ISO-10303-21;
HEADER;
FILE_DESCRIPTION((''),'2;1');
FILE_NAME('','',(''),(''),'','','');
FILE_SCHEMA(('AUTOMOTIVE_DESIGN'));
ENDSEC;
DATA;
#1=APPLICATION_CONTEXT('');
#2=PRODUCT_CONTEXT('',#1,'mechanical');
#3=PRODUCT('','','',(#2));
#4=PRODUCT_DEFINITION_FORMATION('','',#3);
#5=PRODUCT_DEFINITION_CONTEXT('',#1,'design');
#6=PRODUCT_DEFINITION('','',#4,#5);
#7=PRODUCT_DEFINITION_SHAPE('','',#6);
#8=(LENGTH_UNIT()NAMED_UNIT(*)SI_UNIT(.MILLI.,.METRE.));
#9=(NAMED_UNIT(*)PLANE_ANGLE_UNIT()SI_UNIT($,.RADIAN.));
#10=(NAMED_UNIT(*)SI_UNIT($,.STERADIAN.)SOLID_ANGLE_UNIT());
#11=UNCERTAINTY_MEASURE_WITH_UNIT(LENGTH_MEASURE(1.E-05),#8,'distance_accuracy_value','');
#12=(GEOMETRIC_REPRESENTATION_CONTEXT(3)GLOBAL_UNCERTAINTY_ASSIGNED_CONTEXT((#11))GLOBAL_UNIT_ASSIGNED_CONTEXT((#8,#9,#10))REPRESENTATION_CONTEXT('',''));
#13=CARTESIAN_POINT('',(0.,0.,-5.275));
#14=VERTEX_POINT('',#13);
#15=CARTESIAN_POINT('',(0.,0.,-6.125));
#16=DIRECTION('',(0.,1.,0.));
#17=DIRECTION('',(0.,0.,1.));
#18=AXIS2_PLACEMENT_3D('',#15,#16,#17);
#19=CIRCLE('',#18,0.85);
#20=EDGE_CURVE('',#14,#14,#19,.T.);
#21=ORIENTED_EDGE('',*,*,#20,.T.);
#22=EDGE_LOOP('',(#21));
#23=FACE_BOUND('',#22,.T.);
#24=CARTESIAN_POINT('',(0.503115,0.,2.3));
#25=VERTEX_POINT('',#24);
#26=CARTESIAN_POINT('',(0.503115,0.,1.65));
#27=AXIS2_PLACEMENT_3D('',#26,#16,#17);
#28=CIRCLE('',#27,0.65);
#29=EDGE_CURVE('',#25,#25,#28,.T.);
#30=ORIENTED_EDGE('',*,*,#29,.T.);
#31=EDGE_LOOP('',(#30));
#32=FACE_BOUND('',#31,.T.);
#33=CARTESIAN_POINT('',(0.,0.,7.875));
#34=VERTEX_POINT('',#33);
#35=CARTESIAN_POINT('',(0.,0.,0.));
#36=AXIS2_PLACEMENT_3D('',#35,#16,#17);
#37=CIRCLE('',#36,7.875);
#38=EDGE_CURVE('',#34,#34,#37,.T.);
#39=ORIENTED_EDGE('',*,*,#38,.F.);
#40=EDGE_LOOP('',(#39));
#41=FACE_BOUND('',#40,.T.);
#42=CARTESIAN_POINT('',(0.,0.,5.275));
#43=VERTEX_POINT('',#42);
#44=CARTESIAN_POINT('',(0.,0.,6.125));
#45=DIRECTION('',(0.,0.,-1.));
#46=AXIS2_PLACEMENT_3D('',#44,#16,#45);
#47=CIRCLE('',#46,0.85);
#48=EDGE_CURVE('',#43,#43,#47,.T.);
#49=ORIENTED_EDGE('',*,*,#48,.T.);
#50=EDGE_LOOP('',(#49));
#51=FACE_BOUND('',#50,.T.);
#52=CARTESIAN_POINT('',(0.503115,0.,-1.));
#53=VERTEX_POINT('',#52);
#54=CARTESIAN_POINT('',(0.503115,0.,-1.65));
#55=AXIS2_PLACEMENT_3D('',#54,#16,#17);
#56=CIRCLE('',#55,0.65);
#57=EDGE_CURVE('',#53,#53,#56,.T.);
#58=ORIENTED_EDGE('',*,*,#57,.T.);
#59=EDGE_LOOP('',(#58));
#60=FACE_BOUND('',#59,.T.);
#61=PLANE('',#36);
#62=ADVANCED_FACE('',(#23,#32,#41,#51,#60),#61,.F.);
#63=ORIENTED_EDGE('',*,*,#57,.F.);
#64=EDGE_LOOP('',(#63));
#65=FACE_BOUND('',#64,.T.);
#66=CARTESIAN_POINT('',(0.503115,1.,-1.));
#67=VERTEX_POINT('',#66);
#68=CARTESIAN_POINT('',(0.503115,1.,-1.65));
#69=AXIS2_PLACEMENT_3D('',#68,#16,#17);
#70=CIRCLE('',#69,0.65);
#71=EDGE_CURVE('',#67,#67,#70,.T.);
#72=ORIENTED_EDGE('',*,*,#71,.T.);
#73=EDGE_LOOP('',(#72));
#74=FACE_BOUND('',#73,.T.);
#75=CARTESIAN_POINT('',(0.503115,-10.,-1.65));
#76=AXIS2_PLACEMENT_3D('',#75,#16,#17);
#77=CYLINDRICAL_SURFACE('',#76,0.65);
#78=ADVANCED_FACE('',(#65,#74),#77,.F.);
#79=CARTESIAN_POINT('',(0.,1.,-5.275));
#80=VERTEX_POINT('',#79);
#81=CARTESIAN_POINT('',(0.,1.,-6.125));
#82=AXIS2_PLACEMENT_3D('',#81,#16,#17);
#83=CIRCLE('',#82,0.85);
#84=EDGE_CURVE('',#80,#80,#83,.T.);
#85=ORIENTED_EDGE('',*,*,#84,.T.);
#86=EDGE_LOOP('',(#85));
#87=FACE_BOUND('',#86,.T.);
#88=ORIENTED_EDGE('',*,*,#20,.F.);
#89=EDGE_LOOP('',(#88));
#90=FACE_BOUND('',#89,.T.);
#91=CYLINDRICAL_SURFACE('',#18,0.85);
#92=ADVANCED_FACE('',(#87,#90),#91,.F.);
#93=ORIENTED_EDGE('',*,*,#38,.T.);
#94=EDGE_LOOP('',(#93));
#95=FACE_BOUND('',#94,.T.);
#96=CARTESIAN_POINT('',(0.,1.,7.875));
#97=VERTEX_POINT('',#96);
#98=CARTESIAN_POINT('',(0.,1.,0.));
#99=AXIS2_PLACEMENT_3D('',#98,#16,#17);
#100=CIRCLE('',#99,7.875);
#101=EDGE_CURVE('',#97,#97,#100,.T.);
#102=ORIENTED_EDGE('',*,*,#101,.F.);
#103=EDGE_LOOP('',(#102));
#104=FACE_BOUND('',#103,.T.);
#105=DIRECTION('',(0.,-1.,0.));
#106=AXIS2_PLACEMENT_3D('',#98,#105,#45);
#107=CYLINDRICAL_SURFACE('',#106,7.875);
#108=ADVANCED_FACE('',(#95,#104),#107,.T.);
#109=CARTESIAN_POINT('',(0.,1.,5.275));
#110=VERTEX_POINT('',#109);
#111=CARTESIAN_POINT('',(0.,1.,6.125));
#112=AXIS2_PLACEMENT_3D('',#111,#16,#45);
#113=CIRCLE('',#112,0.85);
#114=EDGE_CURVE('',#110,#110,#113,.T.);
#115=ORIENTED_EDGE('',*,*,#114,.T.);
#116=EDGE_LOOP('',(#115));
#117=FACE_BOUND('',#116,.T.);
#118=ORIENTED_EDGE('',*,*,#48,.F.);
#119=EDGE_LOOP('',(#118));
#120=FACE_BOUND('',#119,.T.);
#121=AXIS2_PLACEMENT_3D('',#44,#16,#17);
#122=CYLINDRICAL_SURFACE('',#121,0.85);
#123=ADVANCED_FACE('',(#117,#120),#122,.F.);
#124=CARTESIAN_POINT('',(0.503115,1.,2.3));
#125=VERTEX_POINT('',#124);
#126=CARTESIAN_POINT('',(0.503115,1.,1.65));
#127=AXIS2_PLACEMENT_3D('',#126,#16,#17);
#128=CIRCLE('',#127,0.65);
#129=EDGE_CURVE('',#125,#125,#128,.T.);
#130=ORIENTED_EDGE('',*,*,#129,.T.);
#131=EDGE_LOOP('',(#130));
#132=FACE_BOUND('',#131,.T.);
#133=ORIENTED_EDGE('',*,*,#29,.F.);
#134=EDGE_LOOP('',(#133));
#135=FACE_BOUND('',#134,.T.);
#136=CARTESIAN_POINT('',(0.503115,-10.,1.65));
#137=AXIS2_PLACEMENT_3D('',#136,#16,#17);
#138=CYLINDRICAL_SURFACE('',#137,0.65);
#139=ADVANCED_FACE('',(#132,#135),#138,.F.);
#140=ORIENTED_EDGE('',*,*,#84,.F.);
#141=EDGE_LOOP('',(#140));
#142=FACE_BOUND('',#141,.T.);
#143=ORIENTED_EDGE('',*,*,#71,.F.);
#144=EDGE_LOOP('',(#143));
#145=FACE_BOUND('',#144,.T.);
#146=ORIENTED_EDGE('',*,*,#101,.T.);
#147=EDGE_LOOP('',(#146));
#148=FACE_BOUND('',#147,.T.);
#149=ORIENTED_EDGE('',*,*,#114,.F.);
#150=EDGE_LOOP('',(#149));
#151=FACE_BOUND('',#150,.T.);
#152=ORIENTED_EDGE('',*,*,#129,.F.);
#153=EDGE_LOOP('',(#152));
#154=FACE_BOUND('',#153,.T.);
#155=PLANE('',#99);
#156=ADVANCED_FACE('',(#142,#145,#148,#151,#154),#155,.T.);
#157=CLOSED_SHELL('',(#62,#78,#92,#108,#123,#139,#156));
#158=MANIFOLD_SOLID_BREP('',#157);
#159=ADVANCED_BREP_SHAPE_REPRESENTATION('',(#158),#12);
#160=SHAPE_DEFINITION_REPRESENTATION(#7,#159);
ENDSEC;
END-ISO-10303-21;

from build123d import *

# Parameters (mm, degrees)
SKETCH1_R           = 7.875
BOSS_EXTRUDE1_DEPTH = 1
SKETCH2_R           = 0.85
CUT_EXTRUDE1_DEPTH  = 12.181737343
SKETCH3_R           = 0.65
CUT_EXTRUDE2_DEPTH  = 11


with BuildPart() as part:
    # Sketch1 → Boss-Extrude1 (new body)
    with BuildSketch(Plane(origin=(0, 0, 0), x_dir=(1, 0, 0), z_dir=(0, 1, 0))):
        with Locations(Location((0, 0, 0), (0, 0, 270))):
            Circle(SKETCH1_R)
    extrude(amount=BOSS_EXTRUDE1_DEPTH)

    # Sketch2 → Cut-Extrude1 (cut, through all)
    with BuildSketch(Plane(origin=(0, 1, 0), x_dir=(1, 0, 0), z_dir=(0, 1, 0))):
        with Locations(Location((0, 6.125, 0), (0, 0, 270))):
            Circle(SKETCH2_R)
        with Locations(Location((0, -6.125, 0), (0, 0, 90))):
            Circle(SKETCH2_R)
    extrude(amount=-CUT_EXTRUDE1_DEPTH, mode=Mode.SUBTRACT)

    # Sketch3 → Cut-Extrude2 (cut)
    with BuildSketch(Plane(origin=(0, 1, 0), x_dir=(1, 0, 0), z_dir=(0, 1, 0))):
        with Locations(Location((0.503115295, 1.65, 0), (0, 0, 270))):
            Circle(SKETCH3_R)
        with Locations(Location((0.503115295, -1.65, 0), (0, 0, 270))):
            Circle(SKETCH3_R)
    extrude(amount=-CUT_EXTRUDE2_DEPTH, mode=Mode.SUBTRACT)


solid = part.part
